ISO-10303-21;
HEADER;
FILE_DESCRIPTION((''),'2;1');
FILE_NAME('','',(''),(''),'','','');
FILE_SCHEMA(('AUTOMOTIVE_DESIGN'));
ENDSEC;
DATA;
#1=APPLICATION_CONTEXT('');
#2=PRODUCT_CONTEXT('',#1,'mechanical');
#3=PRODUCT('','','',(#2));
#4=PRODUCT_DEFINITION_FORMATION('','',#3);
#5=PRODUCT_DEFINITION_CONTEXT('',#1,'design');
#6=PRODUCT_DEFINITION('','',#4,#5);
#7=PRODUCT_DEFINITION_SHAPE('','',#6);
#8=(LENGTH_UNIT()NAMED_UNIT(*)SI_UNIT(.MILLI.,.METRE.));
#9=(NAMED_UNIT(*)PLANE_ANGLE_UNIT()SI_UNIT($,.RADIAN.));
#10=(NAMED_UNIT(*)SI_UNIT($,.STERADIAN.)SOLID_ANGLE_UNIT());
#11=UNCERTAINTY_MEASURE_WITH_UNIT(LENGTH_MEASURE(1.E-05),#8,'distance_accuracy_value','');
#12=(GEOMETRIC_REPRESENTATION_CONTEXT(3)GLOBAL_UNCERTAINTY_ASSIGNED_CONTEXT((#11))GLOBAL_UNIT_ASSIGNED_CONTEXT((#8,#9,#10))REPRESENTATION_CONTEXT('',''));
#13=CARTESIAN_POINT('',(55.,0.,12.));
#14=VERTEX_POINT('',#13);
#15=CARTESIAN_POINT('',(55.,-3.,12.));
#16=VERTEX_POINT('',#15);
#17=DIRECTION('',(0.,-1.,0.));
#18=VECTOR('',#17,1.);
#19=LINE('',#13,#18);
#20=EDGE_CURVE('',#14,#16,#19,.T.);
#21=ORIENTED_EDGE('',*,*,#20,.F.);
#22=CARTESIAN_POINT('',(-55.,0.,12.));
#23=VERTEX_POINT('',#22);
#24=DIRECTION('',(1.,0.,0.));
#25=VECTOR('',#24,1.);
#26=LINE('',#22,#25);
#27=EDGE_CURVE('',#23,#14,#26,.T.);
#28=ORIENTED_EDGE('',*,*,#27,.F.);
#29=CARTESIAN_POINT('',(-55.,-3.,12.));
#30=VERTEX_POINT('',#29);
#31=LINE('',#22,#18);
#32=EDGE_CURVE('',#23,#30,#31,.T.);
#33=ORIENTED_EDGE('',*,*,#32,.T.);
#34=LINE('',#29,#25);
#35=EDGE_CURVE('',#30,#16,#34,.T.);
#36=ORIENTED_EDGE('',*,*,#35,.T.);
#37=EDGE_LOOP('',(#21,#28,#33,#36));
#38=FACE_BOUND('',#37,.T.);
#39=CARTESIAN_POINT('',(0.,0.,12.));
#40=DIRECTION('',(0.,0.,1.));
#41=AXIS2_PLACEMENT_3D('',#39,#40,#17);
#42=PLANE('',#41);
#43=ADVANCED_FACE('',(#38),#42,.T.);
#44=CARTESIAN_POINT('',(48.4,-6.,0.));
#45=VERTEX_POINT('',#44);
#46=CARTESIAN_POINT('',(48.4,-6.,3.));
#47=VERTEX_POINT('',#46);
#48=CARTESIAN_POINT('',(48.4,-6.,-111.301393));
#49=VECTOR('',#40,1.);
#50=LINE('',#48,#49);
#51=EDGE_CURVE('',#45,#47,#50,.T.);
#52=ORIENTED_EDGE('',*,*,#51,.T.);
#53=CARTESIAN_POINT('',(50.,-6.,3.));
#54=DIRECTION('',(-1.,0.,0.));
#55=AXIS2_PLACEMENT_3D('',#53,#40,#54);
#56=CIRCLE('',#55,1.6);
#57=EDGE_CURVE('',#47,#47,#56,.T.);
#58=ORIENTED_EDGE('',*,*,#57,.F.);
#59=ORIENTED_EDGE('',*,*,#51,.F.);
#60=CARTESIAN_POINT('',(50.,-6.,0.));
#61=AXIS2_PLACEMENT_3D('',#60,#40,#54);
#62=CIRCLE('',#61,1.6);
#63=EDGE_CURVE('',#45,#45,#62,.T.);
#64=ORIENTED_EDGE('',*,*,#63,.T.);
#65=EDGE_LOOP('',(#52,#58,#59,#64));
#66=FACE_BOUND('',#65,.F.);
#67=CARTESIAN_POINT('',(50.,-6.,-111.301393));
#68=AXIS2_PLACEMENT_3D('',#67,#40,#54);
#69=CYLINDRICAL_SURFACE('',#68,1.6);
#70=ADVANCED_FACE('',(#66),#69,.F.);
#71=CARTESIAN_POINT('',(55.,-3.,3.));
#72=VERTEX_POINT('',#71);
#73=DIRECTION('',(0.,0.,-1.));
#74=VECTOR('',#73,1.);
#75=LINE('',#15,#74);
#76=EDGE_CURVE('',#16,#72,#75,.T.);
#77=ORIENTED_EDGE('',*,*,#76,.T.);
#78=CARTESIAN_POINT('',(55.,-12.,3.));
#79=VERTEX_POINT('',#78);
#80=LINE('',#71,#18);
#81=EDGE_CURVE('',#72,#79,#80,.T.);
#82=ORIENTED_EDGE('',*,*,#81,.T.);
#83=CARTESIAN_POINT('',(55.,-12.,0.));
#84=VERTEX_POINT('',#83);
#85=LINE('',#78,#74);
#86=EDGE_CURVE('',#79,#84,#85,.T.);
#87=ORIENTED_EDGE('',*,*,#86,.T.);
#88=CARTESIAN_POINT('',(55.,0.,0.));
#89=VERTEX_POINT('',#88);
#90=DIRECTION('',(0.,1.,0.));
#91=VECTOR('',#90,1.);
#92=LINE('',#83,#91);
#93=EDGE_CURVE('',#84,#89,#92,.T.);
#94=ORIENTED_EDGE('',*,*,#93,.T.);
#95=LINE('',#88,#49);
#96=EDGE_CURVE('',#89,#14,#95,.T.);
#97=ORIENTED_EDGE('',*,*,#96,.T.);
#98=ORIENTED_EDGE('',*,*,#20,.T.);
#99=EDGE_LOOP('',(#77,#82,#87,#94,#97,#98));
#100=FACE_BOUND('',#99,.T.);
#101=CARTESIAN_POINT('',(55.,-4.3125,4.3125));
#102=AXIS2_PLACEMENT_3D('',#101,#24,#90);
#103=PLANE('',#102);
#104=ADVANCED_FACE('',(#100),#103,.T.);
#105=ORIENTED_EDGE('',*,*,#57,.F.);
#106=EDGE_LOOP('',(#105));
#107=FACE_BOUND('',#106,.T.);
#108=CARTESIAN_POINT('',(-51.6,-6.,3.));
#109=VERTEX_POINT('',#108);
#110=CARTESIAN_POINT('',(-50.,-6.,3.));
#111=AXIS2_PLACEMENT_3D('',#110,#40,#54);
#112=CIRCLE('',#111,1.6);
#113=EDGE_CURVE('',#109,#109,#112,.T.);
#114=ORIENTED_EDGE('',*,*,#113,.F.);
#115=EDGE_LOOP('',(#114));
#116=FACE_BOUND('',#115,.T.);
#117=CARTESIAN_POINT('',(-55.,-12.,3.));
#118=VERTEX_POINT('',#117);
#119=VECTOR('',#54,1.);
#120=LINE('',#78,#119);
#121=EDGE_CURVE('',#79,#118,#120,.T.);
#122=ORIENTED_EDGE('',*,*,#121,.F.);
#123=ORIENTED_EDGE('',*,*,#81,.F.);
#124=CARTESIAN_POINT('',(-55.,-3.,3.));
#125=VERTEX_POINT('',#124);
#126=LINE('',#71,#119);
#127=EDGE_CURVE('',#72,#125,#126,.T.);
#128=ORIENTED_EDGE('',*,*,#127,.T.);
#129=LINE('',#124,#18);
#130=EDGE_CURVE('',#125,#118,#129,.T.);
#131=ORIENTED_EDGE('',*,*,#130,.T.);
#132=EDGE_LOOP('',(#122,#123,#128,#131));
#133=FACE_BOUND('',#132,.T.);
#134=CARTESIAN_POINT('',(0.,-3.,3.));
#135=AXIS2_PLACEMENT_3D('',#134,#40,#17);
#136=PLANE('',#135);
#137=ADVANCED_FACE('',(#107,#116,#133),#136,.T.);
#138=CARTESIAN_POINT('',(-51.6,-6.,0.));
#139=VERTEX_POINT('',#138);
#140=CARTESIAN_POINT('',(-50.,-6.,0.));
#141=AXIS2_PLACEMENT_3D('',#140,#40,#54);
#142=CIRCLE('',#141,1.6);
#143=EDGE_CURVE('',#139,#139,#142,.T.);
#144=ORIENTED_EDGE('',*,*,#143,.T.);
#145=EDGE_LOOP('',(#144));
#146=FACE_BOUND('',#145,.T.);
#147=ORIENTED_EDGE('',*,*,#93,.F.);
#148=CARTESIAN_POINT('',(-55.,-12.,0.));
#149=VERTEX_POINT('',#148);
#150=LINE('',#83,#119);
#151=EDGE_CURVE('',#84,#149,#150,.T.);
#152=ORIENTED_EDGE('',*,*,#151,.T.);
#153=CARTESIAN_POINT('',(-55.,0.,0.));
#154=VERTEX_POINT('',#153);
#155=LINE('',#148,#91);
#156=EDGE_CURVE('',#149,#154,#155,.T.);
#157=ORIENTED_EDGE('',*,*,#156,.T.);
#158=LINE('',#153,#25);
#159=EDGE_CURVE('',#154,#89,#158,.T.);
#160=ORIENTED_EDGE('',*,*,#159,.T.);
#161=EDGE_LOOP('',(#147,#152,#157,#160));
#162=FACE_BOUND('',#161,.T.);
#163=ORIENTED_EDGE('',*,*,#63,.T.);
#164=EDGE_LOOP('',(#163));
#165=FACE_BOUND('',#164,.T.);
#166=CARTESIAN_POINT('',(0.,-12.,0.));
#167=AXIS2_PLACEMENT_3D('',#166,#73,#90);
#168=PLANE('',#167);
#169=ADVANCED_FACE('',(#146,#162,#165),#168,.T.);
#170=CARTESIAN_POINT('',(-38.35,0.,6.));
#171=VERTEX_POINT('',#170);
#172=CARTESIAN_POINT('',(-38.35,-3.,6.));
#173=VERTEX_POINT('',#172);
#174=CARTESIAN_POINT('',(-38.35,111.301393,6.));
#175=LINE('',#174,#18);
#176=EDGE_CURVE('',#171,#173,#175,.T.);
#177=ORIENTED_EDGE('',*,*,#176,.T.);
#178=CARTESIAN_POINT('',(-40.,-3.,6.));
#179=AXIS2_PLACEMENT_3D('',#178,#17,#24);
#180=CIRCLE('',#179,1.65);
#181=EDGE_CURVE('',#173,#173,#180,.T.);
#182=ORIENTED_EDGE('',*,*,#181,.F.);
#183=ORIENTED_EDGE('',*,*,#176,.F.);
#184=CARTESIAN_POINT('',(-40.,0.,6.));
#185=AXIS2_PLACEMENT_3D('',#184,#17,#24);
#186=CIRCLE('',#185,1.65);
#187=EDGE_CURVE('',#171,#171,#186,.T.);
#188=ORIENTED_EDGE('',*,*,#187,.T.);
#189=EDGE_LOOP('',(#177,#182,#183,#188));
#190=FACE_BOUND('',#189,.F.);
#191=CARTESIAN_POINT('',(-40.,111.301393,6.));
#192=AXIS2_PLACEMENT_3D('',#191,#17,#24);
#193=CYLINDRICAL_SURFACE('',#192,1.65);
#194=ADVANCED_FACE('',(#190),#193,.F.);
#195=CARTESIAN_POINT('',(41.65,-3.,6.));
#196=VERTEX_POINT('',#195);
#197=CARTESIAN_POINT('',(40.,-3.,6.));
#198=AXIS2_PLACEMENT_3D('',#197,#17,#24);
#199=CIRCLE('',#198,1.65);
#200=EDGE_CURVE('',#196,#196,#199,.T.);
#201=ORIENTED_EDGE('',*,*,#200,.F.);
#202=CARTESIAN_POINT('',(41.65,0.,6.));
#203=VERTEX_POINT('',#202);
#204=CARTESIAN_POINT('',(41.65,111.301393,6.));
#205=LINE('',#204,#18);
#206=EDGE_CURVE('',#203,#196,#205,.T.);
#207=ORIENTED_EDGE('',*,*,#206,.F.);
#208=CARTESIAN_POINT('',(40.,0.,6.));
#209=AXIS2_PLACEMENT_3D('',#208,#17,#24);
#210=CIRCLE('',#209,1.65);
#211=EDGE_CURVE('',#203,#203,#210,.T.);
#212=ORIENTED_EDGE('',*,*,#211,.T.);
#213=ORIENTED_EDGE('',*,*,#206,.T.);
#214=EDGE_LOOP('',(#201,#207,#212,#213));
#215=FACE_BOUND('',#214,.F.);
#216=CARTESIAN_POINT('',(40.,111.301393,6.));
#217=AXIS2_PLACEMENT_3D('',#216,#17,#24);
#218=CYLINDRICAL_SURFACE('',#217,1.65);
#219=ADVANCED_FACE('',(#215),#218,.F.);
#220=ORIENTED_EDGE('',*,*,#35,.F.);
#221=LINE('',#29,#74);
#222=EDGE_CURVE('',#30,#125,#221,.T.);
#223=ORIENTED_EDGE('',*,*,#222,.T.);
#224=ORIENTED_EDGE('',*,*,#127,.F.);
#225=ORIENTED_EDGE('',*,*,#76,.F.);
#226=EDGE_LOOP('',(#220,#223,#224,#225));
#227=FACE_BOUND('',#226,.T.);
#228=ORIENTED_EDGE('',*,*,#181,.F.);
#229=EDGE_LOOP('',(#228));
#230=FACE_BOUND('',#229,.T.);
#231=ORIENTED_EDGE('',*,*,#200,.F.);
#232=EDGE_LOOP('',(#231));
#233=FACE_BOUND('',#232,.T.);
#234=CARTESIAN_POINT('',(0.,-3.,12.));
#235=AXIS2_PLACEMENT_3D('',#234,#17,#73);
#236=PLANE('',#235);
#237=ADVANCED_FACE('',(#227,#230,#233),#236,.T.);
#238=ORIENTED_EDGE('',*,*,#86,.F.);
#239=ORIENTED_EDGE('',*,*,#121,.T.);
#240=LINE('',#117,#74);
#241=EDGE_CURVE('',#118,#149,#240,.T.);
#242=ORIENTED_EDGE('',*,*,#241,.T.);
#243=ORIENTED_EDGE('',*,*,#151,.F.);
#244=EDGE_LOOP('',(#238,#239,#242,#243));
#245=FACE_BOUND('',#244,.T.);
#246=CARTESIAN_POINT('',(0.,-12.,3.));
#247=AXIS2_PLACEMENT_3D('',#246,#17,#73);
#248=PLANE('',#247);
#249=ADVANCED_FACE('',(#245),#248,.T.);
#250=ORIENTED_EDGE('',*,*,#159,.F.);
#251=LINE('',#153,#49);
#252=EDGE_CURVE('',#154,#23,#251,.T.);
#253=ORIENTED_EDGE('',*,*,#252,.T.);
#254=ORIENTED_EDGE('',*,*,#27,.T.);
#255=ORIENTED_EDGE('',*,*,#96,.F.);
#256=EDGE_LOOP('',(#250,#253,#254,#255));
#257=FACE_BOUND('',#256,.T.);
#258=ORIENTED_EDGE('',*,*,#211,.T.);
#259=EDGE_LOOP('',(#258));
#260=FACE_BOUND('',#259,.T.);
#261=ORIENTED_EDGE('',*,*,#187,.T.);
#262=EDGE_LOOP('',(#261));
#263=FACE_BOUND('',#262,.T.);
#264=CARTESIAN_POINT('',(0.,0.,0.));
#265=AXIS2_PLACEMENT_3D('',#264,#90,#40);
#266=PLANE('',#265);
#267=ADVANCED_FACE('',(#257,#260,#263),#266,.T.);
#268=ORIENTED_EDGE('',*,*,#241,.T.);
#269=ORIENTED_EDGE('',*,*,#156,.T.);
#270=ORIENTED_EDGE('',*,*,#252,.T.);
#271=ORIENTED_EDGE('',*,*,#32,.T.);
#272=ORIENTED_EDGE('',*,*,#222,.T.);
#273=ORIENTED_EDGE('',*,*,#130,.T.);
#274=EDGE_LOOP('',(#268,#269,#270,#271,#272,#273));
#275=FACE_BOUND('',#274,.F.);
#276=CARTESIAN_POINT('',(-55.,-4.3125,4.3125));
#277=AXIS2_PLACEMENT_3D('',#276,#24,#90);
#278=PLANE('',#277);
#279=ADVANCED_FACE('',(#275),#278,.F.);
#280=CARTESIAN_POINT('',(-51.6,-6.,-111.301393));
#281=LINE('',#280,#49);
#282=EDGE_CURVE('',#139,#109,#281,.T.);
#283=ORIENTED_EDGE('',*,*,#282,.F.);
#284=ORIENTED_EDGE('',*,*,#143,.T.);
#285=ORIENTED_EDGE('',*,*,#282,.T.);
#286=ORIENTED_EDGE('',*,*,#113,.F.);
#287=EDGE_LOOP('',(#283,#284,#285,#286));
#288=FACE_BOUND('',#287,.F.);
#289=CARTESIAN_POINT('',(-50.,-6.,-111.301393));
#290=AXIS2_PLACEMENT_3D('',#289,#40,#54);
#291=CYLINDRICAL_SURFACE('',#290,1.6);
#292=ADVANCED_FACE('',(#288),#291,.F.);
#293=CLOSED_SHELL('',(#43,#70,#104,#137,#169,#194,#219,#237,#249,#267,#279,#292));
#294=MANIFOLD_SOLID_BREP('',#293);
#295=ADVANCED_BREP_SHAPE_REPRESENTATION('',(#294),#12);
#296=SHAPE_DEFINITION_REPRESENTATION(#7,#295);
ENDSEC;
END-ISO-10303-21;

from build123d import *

# Parameters (mm, degrees)
F1_DEPTH = 55
F3_D     = 3.2
F5_D     = 3.3


with BuildPart() as f1:
    # F0 (on Right) → F1 (new body, symmetric)
    with BuildSketch(Plane.YZ):
        Polygon((-12, 0), (0, 0), (0, 12), (-3, 12), (-3, 3), (-12, 3), align=None)
    extrude(amount=F1_DEPTH, both=True)

    # F3 (through all)
    with Locations(Plane(origin=(0, 0, 0), x_dir=(1, 0, 0), z_dir=(0, 0, -1))):
        with Locations((-50, 6), (50, 6)):
            Hole(F3_D / 2)

    # F5 (through all)
    with Locations(Plane(origin=(0, 0, 0), x_dir=(-1, 0, 0), z_dir=(0, 1, 0))):
        with Locations((40, 6), (-40, 6)):
            Hole(F5_D / 2)


solid = f1.part
